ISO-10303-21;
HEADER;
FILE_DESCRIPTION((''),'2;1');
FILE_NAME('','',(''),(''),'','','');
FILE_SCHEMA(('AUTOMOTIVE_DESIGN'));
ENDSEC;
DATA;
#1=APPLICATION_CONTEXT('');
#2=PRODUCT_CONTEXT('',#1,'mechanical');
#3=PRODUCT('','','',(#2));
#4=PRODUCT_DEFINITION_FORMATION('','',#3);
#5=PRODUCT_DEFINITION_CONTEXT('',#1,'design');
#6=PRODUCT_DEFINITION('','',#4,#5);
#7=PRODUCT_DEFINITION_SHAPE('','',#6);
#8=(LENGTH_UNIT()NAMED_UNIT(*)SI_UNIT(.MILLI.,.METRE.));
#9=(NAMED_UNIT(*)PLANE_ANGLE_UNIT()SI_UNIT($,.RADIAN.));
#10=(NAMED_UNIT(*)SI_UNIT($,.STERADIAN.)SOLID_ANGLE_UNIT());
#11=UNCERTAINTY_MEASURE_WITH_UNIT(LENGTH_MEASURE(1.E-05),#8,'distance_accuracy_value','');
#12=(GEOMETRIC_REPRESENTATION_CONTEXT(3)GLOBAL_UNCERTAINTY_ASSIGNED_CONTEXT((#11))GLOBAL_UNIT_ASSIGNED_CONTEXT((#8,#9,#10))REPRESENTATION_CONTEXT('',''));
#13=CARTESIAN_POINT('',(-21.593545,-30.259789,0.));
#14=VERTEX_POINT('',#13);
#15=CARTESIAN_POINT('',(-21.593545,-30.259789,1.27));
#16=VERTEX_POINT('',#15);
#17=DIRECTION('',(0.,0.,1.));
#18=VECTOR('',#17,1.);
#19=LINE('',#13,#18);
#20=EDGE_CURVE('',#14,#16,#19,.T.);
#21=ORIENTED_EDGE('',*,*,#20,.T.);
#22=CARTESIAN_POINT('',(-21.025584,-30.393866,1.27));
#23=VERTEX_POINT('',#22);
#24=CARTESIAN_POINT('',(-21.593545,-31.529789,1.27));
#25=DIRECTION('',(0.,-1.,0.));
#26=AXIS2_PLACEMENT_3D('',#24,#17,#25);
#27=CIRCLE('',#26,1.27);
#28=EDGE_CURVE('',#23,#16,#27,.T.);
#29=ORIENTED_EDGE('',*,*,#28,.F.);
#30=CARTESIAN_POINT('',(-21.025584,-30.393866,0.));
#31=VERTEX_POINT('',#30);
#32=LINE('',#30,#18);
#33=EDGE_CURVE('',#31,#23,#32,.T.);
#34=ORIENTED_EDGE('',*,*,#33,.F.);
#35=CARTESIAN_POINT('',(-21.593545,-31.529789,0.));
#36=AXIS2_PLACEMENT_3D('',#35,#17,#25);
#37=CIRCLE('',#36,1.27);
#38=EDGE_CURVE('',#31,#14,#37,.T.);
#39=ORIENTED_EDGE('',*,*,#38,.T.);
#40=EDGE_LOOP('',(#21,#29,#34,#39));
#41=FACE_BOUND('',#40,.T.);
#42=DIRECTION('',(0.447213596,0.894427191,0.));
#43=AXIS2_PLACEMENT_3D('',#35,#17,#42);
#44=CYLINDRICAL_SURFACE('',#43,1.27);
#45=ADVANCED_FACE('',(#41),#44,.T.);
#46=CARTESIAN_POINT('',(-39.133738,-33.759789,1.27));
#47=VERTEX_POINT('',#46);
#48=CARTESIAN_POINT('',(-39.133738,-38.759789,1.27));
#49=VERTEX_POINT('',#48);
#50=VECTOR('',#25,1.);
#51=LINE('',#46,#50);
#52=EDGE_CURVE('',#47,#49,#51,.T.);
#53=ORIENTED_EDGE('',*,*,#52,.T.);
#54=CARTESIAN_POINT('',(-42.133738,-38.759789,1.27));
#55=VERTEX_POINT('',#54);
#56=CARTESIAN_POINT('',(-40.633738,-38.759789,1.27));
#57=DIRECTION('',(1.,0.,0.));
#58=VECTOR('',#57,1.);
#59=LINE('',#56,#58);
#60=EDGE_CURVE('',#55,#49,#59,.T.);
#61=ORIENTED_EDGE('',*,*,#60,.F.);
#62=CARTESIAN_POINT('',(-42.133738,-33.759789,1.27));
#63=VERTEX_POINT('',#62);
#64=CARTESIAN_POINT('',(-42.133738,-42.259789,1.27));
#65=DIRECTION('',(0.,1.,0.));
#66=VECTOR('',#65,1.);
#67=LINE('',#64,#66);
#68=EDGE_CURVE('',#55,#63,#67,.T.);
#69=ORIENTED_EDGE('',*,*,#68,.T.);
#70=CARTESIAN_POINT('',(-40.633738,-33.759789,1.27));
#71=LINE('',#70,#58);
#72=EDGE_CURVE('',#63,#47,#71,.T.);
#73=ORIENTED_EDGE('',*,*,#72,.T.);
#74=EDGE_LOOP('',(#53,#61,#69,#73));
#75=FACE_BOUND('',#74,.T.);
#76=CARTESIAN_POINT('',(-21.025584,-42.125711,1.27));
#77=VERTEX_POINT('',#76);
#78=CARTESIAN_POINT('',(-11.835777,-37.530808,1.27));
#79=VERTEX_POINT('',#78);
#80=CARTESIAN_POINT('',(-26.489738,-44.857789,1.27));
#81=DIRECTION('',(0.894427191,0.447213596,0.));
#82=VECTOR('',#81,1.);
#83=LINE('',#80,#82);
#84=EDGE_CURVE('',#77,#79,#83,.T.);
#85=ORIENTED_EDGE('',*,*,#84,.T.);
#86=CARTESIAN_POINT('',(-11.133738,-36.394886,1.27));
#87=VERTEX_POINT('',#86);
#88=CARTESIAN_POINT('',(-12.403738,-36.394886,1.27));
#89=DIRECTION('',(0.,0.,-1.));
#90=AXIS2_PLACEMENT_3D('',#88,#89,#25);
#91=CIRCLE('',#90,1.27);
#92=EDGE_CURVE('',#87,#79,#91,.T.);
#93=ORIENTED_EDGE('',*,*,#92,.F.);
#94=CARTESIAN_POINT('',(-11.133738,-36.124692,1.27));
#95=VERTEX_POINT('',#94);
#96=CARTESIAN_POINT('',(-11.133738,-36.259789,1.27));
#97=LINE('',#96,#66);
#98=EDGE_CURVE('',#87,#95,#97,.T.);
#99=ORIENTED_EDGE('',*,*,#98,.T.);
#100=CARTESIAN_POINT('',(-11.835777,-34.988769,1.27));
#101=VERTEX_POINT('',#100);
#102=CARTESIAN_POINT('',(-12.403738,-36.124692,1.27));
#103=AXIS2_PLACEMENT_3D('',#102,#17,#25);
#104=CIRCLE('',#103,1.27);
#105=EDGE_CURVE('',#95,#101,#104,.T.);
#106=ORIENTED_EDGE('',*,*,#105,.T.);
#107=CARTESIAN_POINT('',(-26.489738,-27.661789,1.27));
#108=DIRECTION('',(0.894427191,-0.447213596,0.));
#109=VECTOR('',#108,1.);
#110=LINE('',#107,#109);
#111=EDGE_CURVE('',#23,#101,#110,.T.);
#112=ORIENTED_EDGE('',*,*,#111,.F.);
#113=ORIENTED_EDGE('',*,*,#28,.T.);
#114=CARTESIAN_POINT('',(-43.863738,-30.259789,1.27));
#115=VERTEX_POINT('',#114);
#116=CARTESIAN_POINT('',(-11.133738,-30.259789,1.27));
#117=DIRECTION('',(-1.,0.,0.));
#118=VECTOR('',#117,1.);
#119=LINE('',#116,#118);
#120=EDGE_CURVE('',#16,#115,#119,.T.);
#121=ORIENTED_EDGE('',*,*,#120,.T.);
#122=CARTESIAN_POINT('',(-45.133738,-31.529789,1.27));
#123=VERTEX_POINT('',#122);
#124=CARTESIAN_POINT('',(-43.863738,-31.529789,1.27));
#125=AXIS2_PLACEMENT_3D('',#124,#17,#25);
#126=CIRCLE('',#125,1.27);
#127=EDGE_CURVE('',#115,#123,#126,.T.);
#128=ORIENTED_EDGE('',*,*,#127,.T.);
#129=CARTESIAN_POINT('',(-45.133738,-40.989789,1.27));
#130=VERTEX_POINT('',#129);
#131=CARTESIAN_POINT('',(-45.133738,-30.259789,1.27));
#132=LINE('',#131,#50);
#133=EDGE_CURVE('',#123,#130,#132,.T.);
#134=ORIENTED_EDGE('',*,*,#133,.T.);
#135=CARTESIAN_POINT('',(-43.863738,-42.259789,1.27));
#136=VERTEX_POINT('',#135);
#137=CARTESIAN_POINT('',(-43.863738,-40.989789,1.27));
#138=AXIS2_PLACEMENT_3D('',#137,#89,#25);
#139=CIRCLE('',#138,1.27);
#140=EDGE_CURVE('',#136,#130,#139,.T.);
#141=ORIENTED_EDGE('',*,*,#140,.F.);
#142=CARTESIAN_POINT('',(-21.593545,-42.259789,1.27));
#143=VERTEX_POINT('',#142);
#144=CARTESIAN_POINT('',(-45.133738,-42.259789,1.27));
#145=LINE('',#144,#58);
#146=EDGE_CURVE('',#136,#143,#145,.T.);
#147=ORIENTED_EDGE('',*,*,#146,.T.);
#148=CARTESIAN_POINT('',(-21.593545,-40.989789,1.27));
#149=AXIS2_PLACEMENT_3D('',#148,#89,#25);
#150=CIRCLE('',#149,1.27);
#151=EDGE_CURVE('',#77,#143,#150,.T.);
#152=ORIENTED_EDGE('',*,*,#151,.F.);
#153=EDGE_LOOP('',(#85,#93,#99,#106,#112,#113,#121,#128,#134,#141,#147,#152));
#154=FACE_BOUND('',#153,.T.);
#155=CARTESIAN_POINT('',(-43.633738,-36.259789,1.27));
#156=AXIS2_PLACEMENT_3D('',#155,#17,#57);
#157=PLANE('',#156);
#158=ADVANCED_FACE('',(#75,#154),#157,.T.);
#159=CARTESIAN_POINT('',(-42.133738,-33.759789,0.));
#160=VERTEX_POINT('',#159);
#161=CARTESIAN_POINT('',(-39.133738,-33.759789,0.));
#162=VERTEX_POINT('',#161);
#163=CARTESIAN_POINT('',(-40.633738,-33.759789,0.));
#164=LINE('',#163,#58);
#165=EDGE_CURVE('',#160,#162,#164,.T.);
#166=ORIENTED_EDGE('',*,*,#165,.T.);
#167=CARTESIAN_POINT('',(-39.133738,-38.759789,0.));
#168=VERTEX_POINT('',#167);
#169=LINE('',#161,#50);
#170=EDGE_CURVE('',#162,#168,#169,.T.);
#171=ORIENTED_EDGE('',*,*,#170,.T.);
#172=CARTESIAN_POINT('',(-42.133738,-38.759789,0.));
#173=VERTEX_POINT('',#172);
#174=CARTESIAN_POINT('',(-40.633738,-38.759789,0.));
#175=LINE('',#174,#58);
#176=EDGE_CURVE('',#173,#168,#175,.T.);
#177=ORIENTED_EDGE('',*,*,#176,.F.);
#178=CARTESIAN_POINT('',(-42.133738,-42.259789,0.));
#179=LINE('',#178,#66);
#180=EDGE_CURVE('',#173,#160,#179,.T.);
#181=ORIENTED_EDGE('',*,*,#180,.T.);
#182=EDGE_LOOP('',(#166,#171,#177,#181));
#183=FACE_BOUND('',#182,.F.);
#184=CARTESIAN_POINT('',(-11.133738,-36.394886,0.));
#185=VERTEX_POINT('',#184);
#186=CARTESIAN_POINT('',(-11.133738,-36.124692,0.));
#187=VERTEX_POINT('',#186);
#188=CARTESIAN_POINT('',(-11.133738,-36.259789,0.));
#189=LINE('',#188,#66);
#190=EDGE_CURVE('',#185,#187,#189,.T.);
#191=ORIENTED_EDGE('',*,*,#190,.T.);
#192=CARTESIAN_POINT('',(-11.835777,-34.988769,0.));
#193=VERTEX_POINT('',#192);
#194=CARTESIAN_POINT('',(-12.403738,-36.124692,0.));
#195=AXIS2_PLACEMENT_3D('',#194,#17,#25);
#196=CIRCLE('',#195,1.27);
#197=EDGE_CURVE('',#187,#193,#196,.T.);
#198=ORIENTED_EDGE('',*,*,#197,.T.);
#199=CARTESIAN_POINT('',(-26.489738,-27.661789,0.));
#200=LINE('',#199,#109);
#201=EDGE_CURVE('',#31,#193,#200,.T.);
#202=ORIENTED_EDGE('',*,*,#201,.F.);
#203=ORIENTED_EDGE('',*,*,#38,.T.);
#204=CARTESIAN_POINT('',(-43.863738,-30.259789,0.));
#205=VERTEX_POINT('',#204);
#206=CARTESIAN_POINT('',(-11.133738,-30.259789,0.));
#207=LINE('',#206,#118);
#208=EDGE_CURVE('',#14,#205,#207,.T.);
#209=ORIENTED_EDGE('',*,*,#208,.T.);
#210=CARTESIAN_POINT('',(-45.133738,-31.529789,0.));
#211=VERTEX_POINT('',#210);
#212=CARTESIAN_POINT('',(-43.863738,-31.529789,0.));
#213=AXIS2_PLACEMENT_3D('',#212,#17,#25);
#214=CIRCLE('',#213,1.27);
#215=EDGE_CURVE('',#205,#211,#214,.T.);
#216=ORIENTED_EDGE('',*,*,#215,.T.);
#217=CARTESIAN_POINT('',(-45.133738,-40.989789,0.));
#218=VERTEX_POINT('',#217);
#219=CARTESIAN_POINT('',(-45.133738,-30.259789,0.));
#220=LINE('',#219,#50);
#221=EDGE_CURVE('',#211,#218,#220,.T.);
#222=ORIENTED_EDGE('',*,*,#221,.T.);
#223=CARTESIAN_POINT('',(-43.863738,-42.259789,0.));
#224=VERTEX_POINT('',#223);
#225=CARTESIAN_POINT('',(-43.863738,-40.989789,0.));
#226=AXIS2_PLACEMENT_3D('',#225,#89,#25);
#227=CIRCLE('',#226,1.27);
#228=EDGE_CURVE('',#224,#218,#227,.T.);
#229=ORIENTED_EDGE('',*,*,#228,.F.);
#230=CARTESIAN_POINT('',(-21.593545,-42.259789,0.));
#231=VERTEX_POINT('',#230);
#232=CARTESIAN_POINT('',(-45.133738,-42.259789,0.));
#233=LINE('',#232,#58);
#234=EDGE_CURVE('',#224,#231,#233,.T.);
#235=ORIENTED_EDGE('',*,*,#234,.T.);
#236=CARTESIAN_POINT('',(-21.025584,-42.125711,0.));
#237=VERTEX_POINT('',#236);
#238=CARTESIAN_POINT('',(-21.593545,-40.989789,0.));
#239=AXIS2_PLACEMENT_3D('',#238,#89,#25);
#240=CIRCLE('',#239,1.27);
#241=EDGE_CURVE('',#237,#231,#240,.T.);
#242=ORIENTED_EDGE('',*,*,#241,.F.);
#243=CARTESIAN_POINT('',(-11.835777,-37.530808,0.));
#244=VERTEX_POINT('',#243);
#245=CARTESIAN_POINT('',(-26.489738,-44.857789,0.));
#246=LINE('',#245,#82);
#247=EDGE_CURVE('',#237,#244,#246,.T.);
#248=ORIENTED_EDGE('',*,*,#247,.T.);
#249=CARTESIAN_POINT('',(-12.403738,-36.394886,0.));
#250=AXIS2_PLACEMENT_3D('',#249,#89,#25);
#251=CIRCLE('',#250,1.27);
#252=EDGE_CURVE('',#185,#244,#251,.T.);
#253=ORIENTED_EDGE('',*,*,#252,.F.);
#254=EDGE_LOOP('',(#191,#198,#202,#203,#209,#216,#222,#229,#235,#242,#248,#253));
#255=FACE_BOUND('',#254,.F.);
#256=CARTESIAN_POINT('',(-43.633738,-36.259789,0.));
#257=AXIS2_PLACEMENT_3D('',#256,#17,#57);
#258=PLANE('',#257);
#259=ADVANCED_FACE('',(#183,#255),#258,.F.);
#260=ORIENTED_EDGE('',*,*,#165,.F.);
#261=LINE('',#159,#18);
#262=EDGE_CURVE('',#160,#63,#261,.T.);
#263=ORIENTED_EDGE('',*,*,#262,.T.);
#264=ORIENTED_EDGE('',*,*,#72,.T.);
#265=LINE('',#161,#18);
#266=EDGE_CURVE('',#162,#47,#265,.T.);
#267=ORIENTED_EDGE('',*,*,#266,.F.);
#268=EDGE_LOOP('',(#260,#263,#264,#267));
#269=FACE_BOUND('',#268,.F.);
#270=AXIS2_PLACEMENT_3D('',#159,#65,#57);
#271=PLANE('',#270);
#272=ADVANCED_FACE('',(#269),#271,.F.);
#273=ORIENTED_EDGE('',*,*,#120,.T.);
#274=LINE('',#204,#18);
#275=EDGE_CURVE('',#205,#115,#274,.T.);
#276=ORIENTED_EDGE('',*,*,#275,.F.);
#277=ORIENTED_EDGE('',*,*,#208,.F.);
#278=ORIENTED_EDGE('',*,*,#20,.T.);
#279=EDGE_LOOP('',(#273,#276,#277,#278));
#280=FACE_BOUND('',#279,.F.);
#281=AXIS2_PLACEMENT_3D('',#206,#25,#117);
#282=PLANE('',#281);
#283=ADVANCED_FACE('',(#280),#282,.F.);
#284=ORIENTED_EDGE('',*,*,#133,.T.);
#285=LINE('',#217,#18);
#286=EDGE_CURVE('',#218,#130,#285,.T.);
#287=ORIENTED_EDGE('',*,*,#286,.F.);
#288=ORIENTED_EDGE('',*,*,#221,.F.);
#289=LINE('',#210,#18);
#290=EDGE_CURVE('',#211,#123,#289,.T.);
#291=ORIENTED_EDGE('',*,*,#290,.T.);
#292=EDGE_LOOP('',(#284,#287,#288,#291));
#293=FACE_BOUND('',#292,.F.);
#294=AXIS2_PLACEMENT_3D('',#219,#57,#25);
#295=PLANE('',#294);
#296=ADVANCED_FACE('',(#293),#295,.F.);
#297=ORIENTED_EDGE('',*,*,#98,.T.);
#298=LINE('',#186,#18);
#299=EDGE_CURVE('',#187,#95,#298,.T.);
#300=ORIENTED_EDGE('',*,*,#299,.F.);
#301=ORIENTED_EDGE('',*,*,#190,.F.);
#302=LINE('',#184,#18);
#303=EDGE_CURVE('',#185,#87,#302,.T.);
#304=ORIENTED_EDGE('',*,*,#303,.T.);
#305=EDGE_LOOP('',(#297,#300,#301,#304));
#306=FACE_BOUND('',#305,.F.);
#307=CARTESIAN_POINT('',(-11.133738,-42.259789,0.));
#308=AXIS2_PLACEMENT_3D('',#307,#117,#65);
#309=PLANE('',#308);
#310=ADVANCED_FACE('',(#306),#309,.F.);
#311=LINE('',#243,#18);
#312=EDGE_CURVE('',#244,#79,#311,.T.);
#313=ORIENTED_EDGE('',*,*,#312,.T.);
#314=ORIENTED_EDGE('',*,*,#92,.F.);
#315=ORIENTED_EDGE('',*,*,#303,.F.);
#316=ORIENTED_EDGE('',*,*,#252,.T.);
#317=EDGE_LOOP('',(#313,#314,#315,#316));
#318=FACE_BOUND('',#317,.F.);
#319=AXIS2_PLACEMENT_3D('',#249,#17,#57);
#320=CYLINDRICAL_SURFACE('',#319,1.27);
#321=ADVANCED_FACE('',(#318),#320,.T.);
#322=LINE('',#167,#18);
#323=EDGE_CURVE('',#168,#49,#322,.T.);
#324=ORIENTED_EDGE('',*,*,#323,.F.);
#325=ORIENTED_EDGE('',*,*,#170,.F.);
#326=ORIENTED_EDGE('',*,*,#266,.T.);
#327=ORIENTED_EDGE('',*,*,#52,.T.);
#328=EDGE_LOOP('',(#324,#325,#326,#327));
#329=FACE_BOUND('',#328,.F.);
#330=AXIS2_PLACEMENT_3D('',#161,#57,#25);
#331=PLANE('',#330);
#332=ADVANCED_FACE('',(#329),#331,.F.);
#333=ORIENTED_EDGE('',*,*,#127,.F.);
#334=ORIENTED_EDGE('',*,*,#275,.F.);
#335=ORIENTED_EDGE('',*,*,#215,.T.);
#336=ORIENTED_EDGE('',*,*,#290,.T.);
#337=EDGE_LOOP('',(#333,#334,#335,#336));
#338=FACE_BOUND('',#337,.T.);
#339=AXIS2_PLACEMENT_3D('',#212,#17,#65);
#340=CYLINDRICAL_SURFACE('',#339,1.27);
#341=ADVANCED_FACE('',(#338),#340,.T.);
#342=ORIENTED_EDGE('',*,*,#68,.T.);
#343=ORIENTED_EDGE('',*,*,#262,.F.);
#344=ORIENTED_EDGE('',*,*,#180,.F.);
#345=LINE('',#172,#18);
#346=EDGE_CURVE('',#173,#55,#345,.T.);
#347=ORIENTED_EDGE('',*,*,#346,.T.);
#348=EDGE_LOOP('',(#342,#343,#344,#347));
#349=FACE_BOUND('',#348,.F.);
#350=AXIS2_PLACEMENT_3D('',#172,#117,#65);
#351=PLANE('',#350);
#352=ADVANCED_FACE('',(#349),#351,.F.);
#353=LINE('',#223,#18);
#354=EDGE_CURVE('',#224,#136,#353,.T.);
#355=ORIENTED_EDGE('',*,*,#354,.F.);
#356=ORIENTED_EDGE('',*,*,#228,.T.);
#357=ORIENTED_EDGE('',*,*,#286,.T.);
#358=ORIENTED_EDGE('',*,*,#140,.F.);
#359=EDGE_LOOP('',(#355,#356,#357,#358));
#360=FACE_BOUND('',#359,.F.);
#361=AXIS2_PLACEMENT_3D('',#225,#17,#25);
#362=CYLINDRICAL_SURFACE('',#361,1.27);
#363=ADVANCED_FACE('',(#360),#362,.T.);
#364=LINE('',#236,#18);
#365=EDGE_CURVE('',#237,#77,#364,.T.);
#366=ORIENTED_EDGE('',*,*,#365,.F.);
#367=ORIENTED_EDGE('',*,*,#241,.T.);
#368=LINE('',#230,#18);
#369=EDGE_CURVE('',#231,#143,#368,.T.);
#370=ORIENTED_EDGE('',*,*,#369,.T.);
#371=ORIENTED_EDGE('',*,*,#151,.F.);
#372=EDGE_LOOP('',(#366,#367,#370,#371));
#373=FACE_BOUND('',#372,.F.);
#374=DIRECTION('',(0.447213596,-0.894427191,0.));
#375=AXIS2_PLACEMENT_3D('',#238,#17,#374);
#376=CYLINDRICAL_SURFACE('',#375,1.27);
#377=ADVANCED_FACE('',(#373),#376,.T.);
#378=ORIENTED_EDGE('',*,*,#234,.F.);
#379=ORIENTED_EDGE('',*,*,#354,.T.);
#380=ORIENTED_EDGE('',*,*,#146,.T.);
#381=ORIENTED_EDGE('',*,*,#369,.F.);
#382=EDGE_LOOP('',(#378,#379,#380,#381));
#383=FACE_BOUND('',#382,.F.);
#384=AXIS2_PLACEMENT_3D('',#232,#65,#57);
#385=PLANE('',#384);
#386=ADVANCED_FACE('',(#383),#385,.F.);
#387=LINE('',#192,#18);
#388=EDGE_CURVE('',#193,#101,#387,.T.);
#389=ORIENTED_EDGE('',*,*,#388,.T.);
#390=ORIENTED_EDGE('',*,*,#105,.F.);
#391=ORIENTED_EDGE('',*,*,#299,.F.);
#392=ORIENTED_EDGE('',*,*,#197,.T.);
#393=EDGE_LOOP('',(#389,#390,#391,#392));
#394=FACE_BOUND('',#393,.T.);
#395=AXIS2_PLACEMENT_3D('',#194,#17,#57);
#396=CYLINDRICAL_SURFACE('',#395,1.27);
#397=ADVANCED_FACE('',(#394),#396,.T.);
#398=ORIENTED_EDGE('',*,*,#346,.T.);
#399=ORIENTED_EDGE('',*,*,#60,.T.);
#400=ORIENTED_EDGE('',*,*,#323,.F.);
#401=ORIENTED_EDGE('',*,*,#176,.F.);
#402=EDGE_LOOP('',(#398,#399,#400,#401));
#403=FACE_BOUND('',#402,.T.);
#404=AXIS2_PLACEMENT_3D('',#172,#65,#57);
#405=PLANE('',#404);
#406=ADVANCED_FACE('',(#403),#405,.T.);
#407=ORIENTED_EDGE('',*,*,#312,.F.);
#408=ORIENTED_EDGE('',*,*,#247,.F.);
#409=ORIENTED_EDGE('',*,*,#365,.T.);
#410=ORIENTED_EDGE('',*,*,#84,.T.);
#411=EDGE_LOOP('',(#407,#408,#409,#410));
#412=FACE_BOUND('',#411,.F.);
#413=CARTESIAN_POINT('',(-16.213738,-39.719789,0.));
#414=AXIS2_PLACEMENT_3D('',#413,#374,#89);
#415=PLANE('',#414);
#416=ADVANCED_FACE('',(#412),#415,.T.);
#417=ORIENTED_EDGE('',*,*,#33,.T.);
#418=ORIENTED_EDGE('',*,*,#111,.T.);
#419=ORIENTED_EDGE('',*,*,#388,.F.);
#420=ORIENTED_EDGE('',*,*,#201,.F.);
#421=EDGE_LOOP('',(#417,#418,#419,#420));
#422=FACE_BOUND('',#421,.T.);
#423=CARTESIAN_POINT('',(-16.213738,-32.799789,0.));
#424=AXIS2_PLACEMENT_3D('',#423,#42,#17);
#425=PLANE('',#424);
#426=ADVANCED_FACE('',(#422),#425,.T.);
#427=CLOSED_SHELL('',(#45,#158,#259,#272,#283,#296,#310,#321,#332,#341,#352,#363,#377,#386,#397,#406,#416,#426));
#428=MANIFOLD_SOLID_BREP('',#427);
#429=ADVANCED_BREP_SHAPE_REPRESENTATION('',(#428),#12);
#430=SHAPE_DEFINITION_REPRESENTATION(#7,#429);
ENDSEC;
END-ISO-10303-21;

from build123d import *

# Parameters (mm, degrees)
F0_W       = 3
F0_H       = 3.5
F0_W_2     = 25
F0_H_2     = 12
F1_DEPTH   = 1.27
F2_SIZE2   = 5.08
F2_SIZE    = 10.16
F2_2_SIZE2 = 5.08
F2_2_SIZE  = 10.16
F3_R       = 1.27
F4_R       = 1.27


with BuildPart() as f1:
    # F0 (on Top) → F1 (new body)
    with BuildSketch(Plane.XY):
        Polygon((-42.1337384582, -30.2597887341), (-45.1337384582, -30.2597887341), (-45.1337384582, -42.2597887341), (-42.1337384582, -42.2597887341), (-42.1337384582, -38.7597887341), (-42.1337384582, -33.7597887341), align=None)
        with Locations((-40.6337384582, -32.0097887341)):
            Rectangle(F0_W, F0_H)
        with Locations((-40.6337384582, -40.5097887341)):
            Rectangle(F0_W, F0_H)
        Polygon((-36.1337384582, -30.2597887341), (-39.1337384582, -30.2597887341), (-39.1337384582, -33.7597887341), (-39.1337384582, -38.7597887341), (-39.1337384582, -42.2597887341), (-36.1337384582, -42.2597887341), align=None)
        with Locations((-23.6337384582, -36.2597887341)):
            Rectangle(F0_W_2, F0_H_2)
    extrude(amount=F1_DEPTH)

    # F2
    f2_edges = [f1.edges().sort_by_distance(p)[0] for p in [
        (-11.133738, -30.259789, 0.635),
    ]]
    f2_side = f1.faces().sort_by_distance((-28.133738, -30.259789, 0.635))[0]
    chamfer(f2_edges, length=F2_SIZE, length2=F2_SIZE2, reference=f2_side)

    # F2#2
    f2_2_edges = [f1.edges().sort_by_distance(p)[0] for p in [
        (-11.133738, -42.259789, 0.635),
    ]]
    f2_2_side = f1.faces().sort_by_distance((-28.133738, -42.259789, 0.635))[0]
    chamfer(f2_2_edges, length=F2_2_SIZE, length2=F2_2_SIZE2, reference=f2_2_side)

    # F3
    f3_edges = [f1.edges().sort_by_distance(p)[0] for p in [
        (-21.293738, -30.259789, 0.635),
        (-11.133738, -35.339789, 0.635),
        (-11.133738, -37.179789, 0.635),
        (-21.293738, -42.259789, 0.635),
    ]]
    fillet(f3_edges, radius=F3_R)

    # F4
    f4_edges = [f1.edges().sort_by_distance(p)[0] for p in [
        (-45.133738, -42.259789, 0.635),
        (-45.133738, -30.259789, 0.635),
    ]]
    fillet(f4_edges, radius=F4_R)


solid = f1.part
